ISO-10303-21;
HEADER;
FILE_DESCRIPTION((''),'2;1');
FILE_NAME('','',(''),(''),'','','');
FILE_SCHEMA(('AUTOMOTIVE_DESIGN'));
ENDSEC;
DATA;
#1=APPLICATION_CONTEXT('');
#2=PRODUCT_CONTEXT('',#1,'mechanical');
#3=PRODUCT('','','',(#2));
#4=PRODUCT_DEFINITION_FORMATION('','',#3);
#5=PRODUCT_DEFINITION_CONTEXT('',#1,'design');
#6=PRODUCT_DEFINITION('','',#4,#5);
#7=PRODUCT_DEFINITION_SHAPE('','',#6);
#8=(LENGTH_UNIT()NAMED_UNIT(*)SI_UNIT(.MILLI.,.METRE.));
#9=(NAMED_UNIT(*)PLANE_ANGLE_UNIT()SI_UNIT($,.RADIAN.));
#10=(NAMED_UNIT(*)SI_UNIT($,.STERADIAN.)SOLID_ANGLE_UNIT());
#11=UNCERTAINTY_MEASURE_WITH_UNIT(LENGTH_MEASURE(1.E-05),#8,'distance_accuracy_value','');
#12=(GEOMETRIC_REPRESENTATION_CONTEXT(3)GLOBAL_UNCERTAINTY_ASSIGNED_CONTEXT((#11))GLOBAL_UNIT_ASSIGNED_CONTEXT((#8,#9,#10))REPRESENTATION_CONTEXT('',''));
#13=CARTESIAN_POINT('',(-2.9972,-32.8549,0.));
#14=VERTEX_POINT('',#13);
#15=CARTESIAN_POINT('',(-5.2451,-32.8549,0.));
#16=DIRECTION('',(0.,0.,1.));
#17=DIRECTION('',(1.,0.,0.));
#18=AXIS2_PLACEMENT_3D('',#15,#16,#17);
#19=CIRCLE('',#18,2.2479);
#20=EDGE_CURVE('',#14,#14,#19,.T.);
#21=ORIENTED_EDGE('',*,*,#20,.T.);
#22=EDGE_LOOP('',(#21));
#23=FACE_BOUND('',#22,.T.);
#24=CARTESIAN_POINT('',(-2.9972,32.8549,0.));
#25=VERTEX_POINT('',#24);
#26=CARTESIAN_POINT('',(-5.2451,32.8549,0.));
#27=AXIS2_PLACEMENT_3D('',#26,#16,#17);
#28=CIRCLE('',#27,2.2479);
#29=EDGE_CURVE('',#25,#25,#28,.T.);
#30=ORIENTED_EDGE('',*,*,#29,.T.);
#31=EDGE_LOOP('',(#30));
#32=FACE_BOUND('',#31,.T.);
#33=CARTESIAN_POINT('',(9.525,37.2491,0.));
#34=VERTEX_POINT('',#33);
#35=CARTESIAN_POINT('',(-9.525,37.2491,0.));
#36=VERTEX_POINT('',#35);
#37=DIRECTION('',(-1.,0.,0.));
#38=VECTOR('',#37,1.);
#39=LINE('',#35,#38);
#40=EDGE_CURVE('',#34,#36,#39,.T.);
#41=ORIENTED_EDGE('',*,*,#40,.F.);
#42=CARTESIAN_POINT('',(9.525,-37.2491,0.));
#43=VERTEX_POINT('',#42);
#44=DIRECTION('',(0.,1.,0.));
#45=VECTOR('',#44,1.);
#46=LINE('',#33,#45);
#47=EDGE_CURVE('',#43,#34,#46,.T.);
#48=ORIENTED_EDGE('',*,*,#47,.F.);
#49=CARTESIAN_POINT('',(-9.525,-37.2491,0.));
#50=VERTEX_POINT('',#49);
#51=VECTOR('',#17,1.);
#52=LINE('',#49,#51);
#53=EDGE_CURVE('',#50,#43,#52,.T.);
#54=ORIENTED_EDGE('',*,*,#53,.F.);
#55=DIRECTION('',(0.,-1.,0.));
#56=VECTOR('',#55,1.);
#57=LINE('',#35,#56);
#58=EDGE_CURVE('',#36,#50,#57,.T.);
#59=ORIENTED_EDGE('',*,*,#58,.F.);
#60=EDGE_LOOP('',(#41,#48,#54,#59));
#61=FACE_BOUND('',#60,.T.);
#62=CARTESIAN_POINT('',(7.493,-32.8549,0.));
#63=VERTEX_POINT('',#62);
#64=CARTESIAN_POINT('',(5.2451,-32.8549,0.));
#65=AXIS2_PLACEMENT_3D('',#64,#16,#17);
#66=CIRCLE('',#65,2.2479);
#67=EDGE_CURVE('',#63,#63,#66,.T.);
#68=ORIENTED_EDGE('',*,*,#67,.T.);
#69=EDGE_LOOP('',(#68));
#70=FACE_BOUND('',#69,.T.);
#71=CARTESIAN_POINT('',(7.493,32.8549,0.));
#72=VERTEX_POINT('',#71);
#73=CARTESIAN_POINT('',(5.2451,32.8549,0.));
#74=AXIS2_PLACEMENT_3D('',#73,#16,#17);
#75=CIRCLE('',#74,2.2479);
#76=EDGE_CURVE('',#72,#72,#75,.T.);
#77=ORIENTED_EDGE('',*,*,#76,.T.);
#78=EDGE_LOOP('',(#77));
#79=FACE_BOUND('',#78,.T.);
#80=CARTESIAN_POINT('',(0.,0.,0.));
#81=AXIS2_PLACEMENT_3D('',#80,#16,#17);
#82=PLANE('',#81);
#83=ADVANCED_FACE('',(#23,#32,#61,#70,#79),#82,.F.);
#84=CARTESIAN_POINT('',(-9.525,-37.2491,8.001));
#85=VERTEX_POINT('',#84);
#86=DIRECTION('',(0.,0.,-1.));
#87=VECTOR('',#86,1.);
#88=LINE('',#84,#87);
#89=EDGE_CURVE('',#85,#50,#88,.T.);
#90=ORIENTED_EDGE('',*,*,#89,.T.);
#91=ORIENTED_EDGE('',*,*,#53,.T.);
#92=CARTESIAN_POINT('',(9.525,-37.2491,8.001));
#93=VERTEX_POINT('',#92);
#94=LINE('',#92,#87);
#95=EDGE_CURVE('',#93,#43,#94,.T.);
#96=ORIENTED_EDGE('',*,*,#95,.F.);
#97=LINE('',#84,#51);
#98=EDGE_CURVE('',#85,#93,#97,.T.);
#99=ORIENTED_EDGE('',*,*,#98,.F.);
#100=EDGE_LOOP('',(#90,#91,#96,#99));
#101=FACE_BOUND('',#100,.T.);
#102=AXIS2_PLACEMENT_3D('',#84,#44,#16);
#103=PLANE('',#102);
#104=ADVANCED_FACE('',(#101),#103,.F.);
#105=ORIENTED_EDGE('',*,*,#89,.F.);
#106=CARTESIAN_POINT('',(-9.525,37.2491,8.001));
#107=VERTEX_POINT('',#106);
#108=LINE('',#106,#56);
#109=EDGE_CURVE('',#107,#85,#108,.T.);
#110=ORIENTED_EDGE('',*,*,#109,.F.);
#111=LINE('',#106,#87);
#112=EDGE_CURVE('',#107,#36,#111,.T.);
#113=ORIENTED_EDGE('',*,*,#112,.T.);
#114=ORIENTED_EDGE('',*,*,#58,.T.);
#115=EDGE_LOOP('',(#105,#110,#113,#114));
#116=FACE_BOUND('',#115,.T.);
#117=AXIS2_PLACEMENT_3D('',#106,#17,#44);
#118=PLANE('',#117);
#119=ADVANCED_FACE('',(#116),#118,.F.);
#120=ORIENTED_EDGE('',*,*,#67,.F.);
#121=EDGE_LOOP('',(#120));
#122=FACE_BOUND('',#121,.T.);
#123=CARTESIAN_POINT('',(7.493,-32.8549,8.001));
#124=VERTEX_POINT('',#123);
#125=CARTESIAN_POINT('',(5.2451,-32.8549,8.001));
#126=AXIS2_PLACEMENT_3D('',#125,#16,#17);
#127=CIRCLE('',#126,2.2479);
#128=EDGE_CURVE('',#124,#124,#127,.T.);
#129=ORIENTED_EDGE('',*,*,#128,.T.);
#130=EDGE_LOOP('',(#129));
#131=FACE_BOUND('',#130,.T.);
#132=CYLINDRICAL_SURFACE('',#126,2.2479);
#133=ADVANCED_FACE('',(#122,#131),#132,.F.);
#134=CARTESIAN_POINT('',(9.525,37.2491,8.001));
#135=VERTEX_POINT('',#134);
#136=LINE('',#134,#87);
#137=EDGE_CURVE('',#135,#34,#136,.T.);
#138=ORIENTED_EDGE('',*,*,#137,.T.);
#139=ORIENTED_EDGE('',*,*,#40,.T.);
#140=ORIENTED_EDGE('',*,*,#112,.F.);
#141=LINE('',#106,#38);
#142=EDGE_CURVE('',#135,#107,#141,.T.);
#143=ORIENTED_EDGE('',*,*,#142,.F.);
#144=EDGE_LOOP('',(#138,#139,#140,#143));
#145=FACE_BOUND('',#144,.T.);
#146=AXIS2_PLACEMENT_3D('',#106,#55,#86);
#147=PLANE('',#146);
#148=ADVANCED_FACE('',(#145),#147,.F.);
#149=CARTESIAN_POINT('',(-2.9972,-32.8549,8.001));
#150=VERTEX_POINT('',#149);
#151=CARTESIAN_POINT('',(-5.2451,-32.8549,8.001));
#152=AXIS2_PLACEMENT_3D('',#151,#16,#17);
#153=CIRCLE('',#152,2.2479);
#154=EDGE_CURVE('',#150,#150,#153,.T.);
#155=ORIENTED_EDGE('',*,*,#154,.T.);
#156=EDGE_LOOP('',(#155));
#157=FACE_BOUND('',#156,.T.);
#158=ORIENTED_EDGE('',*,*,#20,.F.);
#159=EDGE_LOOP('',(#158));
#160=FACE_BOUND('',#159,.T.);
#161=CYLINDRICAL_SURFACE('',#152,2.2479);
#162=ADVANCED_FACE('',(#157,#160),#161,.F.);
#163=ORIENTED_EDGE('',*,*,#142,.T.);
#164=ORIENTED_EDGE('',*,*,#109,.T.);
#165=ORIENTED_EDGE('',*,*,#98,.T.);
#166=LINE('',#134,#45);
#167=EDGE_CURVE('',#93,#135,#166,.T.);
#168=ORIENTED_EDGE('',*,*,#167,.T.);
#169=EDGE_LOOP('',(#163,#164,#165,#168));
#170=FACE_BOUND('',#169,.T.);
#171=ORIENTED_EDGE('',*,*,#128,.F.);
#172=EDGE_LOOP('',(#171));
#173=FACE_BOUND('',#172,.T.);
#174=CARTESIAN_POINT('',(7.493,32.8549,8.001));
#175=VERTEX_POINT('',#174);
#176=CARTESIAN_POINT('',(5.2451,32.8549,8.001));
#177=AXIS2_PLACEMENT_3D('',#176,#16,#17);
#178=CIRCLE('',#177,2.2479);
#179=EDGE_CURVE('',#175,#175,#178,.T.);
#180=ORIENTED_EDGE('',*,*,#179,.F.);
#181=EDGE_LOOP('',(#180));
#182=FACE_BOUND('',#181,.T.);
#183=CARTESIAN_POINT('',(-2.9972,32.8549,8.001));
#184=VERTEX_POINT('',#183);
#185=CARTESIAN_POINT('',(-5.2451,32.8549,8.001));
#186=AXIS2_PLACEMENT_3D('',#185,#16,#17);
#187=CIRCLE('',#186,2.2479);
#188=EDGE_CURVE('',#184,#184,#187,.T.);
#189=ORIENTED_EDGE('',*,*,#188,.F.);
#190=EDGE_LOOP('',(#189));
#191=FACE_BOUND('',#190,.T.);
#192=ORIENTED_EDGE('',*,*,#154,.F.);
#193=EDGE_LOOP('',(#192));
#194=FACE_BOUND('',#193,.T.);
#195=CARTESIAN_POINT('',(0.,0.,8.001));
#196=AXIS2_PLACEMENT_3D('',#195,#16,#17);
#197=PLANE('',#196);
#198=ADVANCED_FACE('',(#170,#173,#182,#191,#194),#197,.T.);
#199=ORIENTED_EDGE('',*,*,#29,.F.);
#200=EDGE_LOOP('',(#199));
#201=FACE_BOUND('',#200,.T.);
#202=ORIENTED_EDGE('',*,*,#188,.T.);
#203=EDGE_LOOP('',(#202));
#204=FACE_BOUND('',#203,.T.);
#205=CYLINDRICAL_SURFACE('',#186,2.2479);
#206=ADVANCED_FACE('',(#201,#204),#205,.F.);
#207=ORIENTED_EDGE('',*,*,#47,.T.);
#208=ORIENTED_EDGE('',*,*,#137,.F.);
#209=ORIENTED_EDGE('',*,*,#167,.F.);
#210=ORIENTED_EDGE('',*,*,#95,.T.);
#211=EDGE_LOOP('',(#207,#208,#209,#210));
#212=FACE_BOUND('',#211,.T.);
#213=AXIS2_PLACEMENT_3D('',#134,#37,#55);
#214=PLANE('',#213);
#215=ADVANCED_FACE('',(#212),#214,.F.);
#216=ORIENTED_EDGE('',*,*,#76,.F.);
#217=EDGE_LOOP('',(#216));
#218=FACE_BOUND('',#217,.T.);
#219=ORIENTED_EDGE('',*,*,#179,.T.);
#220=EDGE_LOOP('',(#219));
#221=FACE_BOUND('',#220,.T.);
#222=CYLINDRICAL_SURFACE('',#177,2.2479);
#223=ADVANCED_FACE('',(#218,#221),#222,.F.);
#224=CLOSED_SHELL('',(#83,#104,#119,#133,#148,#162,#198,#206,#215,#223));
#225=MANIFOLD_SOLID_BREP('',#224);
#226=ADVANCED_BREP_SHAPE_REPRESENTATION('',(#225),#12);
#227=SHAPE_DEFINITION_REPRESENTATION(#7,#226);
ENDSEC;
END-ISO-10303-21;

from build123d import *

# Parameters (mm, degrees)
SKETCH1_W             = 19.05
SKETCH1_H             = 74.4982
BOSS_EXTRUDE1_DEPTH   = 8.001
F_8_CLEARANCE_HOLE1_D = 4.4958


with BuildPart() as part:
    # Sketch1 → Boss-Extrude1 (new body)
    with BuildSketch(Plane.XY):
        Rectangle(SKETCH1_W, SKETCH1_H)
    extrude(amount=BOSS_EXTRUDE1_DEPTH)

    # #8 Clearance Hole1 (through all)
    with Locations(Plane.XY.offset(8.001)):
        with Locations((-5.2451, 32.8549), (5.2451, -32.8549), (-5.2451, -32.8549), (5.2451, 32.8549)):
            Hole(F_8_CLEARANCE_HOLE1_D / 2)


solid = part.part
